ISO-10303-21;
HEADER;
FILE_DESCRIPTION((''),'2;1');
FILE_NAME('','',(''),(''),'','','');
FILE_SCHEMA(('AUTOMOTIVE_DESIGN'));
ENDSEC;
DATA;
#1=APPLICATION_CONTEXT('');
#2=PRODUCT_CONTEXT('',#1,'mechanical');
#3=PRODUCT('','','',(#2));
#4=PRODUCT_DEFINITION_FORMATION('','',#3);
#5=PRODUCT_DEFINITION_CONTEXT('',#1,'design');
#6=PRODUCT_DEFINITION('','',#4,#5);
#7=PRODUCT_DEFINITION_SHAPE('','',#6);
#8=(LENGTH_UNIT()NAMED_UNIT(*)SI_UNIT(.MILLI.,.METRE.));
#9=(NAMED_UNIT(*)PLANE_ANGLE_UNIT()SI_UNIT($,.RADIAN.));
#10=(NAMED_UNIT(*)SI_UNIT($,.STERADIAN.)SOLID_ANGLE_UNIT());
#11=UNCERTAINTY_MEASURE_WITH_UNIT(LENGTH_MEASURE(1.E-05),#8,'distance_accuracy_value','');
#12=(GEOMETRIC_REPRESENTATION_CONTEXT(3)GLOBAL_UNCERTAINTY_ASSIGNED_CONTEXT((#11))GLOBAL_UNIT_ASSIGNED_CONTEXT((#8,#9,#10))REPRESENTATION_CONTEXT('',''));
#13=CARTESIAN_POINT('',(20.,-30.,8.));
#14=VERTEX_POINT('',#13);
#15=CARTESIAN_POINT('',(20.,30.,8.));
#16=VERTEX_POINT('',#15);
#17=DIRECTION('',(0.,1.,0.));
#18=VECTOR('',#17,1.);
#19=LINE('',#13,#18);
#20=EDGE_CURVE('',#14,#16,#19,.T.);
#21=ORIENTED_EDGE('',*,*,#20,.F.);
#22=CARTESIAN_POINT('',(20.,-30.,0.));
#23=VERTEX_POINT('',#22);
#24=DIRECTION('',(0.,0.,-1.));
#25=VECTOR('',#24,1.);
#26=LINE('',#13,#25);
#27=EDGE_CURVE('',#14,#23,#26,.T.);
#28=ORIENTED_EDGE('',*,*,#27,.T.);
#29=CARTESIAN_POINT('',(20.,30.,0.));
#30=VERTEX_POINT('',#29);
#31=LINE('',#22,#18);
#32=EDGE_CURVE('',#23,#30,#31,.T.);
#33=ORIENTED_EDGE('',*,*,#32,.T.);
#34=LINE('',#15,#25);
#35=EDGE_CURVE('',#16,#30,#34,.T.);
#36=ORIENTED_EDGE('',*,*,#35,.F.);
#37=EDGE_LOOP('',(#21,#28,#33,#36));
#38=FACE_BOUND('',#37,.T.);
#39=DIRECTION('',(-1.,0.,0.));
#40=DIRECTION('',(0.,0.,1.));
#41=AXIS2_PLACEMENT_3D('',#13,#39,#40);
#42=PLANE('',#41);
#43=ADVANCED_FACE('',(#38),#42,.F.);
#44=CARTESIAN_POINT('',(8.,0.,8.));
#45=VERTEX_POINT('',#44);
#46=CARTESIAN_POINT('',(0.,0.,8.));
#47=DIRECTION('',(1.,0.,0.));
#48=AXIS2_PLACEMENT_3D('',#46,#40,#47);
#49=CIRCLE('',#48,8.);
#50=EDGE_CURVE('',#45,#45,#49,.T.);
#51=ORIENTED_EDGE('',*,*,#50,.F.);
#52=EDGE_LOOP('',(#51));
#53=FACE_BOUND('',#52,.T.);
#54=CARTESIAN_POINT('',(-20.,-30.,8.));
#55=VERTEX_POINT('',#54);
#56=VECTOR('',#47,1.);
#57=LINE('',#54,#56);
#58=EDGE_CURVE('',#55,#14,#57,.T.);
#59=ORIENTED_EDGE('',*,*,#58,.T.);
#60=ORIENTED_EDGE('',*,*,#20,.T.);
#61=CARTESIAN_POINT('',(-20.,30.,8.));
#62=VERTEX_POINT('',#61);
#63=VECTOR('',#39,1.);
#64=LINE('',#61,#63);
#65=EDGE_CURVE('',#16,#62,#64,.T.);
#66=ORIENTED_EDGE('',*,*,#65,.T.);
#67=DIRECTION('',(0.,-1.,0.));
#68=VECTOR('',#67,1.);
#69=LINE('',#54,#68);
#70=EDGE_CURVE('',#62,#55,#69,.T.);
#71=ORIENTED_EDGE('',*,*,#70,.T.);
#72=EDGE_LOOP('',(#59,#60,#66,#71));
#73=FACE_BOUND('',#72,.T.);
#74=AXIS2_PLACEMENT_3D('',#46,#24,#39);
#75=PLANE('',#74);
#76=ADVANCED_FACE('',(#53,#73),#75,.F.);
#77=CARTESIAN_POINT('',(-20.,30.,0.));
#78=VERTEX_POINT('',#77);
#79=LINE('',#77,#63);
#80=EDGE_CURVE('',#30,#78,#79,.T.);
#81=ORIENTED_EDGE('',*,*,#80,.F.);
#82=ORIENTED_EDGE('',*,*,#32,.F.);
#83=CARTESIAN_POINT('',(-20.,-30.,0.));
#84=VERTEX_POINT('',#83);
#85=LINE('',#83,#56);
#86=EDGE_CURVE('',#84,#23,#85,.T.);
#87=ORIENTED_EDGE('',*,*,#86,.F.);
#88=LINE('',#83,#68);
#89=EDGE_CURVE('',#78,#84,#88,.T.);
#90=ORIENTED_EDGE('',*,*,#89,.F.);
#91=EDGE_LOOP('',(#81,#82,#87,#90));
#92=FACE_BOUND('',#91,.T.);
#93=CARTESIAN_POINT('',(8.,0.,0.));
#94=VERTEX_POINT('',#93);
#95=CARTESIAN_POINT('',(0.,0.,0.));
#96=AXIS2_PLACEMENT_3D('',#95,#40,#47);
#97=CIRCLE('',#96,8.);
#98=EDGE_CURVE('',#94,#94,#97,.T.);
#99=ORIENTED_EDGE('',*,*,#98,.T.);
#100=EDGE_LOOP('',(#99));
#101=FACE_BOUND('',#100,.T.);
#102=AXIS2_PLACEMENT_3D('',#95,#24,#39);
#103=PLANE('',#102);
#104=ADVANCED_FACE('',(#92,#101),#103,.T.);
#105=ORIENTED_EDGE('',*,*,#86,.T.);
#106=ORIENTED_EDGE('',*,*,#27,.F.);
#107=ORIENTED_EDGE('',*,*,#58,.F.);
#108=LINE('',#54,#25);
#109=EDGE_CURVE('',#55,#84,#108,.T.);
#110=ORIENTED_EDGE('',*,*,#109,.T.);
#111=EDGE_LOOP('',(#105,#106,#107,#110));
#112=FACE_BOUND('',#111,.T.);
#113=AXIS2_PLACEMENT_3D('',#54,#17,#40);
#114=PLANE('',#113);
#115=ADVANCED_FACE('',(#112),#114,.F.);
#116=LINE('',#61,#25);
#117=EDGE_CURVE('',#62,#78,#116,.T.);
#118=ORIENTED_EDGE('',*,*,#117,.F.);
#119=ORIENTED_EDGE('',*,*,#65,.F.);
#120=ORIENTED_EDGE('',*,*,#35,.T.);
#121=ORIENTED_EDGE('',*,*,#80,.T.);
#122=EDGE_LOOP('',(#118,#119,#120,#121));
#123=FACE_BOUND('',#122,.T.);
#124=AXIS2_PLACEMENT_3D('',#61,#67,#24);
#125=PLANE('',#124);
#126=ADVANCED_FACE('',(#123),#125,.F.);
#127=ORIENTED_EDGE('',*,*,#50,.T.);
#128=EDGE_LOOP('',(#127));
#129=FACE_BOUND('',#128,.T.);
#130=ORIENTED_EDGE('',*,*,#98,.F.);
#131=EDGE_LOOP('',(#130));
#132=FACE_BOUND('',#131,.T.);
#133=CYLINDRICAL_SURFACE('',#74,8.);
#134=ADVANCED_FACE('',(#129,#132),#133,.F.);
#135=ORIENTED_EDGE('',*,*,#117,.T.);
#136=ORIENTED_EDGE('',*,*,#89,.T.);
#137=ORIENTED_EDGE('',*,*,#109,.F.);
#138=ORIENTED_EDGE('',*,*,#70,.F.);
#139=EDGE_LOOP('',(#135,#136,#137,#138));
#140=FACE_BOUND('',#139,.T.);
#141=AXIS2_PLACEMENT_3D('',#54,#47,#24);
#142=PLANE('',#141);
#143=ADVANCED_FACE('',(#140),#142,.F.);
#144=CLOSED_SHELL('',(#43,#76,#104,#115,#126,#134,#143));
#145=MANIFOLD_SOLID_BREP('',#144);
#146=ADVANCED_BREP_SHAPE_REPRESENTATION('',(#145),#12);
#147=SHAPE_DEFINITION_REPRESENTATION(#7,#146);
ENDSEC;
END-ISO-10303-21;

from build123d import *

# Parameters (mm, degrees)
SKETCH1_W           = 40
SKETCH1_H           = 60
SKETCH1_R           = 8
BOSS_EXTRUDE1_DEPTH = 8


with BuildPart() as part:
    # Sketch1 → Boss-Extrude1 (new body)
    with BuildSketch(Plane.XY):
        Rectangle(SKETCH1_W, SKETCH1_H)
        Circle(SKETCH1_R, mode=Mode.SUBTRACT)
    extrude(amount=BOSS_EXTRUDE1_DEPTH)


solid = part.part
